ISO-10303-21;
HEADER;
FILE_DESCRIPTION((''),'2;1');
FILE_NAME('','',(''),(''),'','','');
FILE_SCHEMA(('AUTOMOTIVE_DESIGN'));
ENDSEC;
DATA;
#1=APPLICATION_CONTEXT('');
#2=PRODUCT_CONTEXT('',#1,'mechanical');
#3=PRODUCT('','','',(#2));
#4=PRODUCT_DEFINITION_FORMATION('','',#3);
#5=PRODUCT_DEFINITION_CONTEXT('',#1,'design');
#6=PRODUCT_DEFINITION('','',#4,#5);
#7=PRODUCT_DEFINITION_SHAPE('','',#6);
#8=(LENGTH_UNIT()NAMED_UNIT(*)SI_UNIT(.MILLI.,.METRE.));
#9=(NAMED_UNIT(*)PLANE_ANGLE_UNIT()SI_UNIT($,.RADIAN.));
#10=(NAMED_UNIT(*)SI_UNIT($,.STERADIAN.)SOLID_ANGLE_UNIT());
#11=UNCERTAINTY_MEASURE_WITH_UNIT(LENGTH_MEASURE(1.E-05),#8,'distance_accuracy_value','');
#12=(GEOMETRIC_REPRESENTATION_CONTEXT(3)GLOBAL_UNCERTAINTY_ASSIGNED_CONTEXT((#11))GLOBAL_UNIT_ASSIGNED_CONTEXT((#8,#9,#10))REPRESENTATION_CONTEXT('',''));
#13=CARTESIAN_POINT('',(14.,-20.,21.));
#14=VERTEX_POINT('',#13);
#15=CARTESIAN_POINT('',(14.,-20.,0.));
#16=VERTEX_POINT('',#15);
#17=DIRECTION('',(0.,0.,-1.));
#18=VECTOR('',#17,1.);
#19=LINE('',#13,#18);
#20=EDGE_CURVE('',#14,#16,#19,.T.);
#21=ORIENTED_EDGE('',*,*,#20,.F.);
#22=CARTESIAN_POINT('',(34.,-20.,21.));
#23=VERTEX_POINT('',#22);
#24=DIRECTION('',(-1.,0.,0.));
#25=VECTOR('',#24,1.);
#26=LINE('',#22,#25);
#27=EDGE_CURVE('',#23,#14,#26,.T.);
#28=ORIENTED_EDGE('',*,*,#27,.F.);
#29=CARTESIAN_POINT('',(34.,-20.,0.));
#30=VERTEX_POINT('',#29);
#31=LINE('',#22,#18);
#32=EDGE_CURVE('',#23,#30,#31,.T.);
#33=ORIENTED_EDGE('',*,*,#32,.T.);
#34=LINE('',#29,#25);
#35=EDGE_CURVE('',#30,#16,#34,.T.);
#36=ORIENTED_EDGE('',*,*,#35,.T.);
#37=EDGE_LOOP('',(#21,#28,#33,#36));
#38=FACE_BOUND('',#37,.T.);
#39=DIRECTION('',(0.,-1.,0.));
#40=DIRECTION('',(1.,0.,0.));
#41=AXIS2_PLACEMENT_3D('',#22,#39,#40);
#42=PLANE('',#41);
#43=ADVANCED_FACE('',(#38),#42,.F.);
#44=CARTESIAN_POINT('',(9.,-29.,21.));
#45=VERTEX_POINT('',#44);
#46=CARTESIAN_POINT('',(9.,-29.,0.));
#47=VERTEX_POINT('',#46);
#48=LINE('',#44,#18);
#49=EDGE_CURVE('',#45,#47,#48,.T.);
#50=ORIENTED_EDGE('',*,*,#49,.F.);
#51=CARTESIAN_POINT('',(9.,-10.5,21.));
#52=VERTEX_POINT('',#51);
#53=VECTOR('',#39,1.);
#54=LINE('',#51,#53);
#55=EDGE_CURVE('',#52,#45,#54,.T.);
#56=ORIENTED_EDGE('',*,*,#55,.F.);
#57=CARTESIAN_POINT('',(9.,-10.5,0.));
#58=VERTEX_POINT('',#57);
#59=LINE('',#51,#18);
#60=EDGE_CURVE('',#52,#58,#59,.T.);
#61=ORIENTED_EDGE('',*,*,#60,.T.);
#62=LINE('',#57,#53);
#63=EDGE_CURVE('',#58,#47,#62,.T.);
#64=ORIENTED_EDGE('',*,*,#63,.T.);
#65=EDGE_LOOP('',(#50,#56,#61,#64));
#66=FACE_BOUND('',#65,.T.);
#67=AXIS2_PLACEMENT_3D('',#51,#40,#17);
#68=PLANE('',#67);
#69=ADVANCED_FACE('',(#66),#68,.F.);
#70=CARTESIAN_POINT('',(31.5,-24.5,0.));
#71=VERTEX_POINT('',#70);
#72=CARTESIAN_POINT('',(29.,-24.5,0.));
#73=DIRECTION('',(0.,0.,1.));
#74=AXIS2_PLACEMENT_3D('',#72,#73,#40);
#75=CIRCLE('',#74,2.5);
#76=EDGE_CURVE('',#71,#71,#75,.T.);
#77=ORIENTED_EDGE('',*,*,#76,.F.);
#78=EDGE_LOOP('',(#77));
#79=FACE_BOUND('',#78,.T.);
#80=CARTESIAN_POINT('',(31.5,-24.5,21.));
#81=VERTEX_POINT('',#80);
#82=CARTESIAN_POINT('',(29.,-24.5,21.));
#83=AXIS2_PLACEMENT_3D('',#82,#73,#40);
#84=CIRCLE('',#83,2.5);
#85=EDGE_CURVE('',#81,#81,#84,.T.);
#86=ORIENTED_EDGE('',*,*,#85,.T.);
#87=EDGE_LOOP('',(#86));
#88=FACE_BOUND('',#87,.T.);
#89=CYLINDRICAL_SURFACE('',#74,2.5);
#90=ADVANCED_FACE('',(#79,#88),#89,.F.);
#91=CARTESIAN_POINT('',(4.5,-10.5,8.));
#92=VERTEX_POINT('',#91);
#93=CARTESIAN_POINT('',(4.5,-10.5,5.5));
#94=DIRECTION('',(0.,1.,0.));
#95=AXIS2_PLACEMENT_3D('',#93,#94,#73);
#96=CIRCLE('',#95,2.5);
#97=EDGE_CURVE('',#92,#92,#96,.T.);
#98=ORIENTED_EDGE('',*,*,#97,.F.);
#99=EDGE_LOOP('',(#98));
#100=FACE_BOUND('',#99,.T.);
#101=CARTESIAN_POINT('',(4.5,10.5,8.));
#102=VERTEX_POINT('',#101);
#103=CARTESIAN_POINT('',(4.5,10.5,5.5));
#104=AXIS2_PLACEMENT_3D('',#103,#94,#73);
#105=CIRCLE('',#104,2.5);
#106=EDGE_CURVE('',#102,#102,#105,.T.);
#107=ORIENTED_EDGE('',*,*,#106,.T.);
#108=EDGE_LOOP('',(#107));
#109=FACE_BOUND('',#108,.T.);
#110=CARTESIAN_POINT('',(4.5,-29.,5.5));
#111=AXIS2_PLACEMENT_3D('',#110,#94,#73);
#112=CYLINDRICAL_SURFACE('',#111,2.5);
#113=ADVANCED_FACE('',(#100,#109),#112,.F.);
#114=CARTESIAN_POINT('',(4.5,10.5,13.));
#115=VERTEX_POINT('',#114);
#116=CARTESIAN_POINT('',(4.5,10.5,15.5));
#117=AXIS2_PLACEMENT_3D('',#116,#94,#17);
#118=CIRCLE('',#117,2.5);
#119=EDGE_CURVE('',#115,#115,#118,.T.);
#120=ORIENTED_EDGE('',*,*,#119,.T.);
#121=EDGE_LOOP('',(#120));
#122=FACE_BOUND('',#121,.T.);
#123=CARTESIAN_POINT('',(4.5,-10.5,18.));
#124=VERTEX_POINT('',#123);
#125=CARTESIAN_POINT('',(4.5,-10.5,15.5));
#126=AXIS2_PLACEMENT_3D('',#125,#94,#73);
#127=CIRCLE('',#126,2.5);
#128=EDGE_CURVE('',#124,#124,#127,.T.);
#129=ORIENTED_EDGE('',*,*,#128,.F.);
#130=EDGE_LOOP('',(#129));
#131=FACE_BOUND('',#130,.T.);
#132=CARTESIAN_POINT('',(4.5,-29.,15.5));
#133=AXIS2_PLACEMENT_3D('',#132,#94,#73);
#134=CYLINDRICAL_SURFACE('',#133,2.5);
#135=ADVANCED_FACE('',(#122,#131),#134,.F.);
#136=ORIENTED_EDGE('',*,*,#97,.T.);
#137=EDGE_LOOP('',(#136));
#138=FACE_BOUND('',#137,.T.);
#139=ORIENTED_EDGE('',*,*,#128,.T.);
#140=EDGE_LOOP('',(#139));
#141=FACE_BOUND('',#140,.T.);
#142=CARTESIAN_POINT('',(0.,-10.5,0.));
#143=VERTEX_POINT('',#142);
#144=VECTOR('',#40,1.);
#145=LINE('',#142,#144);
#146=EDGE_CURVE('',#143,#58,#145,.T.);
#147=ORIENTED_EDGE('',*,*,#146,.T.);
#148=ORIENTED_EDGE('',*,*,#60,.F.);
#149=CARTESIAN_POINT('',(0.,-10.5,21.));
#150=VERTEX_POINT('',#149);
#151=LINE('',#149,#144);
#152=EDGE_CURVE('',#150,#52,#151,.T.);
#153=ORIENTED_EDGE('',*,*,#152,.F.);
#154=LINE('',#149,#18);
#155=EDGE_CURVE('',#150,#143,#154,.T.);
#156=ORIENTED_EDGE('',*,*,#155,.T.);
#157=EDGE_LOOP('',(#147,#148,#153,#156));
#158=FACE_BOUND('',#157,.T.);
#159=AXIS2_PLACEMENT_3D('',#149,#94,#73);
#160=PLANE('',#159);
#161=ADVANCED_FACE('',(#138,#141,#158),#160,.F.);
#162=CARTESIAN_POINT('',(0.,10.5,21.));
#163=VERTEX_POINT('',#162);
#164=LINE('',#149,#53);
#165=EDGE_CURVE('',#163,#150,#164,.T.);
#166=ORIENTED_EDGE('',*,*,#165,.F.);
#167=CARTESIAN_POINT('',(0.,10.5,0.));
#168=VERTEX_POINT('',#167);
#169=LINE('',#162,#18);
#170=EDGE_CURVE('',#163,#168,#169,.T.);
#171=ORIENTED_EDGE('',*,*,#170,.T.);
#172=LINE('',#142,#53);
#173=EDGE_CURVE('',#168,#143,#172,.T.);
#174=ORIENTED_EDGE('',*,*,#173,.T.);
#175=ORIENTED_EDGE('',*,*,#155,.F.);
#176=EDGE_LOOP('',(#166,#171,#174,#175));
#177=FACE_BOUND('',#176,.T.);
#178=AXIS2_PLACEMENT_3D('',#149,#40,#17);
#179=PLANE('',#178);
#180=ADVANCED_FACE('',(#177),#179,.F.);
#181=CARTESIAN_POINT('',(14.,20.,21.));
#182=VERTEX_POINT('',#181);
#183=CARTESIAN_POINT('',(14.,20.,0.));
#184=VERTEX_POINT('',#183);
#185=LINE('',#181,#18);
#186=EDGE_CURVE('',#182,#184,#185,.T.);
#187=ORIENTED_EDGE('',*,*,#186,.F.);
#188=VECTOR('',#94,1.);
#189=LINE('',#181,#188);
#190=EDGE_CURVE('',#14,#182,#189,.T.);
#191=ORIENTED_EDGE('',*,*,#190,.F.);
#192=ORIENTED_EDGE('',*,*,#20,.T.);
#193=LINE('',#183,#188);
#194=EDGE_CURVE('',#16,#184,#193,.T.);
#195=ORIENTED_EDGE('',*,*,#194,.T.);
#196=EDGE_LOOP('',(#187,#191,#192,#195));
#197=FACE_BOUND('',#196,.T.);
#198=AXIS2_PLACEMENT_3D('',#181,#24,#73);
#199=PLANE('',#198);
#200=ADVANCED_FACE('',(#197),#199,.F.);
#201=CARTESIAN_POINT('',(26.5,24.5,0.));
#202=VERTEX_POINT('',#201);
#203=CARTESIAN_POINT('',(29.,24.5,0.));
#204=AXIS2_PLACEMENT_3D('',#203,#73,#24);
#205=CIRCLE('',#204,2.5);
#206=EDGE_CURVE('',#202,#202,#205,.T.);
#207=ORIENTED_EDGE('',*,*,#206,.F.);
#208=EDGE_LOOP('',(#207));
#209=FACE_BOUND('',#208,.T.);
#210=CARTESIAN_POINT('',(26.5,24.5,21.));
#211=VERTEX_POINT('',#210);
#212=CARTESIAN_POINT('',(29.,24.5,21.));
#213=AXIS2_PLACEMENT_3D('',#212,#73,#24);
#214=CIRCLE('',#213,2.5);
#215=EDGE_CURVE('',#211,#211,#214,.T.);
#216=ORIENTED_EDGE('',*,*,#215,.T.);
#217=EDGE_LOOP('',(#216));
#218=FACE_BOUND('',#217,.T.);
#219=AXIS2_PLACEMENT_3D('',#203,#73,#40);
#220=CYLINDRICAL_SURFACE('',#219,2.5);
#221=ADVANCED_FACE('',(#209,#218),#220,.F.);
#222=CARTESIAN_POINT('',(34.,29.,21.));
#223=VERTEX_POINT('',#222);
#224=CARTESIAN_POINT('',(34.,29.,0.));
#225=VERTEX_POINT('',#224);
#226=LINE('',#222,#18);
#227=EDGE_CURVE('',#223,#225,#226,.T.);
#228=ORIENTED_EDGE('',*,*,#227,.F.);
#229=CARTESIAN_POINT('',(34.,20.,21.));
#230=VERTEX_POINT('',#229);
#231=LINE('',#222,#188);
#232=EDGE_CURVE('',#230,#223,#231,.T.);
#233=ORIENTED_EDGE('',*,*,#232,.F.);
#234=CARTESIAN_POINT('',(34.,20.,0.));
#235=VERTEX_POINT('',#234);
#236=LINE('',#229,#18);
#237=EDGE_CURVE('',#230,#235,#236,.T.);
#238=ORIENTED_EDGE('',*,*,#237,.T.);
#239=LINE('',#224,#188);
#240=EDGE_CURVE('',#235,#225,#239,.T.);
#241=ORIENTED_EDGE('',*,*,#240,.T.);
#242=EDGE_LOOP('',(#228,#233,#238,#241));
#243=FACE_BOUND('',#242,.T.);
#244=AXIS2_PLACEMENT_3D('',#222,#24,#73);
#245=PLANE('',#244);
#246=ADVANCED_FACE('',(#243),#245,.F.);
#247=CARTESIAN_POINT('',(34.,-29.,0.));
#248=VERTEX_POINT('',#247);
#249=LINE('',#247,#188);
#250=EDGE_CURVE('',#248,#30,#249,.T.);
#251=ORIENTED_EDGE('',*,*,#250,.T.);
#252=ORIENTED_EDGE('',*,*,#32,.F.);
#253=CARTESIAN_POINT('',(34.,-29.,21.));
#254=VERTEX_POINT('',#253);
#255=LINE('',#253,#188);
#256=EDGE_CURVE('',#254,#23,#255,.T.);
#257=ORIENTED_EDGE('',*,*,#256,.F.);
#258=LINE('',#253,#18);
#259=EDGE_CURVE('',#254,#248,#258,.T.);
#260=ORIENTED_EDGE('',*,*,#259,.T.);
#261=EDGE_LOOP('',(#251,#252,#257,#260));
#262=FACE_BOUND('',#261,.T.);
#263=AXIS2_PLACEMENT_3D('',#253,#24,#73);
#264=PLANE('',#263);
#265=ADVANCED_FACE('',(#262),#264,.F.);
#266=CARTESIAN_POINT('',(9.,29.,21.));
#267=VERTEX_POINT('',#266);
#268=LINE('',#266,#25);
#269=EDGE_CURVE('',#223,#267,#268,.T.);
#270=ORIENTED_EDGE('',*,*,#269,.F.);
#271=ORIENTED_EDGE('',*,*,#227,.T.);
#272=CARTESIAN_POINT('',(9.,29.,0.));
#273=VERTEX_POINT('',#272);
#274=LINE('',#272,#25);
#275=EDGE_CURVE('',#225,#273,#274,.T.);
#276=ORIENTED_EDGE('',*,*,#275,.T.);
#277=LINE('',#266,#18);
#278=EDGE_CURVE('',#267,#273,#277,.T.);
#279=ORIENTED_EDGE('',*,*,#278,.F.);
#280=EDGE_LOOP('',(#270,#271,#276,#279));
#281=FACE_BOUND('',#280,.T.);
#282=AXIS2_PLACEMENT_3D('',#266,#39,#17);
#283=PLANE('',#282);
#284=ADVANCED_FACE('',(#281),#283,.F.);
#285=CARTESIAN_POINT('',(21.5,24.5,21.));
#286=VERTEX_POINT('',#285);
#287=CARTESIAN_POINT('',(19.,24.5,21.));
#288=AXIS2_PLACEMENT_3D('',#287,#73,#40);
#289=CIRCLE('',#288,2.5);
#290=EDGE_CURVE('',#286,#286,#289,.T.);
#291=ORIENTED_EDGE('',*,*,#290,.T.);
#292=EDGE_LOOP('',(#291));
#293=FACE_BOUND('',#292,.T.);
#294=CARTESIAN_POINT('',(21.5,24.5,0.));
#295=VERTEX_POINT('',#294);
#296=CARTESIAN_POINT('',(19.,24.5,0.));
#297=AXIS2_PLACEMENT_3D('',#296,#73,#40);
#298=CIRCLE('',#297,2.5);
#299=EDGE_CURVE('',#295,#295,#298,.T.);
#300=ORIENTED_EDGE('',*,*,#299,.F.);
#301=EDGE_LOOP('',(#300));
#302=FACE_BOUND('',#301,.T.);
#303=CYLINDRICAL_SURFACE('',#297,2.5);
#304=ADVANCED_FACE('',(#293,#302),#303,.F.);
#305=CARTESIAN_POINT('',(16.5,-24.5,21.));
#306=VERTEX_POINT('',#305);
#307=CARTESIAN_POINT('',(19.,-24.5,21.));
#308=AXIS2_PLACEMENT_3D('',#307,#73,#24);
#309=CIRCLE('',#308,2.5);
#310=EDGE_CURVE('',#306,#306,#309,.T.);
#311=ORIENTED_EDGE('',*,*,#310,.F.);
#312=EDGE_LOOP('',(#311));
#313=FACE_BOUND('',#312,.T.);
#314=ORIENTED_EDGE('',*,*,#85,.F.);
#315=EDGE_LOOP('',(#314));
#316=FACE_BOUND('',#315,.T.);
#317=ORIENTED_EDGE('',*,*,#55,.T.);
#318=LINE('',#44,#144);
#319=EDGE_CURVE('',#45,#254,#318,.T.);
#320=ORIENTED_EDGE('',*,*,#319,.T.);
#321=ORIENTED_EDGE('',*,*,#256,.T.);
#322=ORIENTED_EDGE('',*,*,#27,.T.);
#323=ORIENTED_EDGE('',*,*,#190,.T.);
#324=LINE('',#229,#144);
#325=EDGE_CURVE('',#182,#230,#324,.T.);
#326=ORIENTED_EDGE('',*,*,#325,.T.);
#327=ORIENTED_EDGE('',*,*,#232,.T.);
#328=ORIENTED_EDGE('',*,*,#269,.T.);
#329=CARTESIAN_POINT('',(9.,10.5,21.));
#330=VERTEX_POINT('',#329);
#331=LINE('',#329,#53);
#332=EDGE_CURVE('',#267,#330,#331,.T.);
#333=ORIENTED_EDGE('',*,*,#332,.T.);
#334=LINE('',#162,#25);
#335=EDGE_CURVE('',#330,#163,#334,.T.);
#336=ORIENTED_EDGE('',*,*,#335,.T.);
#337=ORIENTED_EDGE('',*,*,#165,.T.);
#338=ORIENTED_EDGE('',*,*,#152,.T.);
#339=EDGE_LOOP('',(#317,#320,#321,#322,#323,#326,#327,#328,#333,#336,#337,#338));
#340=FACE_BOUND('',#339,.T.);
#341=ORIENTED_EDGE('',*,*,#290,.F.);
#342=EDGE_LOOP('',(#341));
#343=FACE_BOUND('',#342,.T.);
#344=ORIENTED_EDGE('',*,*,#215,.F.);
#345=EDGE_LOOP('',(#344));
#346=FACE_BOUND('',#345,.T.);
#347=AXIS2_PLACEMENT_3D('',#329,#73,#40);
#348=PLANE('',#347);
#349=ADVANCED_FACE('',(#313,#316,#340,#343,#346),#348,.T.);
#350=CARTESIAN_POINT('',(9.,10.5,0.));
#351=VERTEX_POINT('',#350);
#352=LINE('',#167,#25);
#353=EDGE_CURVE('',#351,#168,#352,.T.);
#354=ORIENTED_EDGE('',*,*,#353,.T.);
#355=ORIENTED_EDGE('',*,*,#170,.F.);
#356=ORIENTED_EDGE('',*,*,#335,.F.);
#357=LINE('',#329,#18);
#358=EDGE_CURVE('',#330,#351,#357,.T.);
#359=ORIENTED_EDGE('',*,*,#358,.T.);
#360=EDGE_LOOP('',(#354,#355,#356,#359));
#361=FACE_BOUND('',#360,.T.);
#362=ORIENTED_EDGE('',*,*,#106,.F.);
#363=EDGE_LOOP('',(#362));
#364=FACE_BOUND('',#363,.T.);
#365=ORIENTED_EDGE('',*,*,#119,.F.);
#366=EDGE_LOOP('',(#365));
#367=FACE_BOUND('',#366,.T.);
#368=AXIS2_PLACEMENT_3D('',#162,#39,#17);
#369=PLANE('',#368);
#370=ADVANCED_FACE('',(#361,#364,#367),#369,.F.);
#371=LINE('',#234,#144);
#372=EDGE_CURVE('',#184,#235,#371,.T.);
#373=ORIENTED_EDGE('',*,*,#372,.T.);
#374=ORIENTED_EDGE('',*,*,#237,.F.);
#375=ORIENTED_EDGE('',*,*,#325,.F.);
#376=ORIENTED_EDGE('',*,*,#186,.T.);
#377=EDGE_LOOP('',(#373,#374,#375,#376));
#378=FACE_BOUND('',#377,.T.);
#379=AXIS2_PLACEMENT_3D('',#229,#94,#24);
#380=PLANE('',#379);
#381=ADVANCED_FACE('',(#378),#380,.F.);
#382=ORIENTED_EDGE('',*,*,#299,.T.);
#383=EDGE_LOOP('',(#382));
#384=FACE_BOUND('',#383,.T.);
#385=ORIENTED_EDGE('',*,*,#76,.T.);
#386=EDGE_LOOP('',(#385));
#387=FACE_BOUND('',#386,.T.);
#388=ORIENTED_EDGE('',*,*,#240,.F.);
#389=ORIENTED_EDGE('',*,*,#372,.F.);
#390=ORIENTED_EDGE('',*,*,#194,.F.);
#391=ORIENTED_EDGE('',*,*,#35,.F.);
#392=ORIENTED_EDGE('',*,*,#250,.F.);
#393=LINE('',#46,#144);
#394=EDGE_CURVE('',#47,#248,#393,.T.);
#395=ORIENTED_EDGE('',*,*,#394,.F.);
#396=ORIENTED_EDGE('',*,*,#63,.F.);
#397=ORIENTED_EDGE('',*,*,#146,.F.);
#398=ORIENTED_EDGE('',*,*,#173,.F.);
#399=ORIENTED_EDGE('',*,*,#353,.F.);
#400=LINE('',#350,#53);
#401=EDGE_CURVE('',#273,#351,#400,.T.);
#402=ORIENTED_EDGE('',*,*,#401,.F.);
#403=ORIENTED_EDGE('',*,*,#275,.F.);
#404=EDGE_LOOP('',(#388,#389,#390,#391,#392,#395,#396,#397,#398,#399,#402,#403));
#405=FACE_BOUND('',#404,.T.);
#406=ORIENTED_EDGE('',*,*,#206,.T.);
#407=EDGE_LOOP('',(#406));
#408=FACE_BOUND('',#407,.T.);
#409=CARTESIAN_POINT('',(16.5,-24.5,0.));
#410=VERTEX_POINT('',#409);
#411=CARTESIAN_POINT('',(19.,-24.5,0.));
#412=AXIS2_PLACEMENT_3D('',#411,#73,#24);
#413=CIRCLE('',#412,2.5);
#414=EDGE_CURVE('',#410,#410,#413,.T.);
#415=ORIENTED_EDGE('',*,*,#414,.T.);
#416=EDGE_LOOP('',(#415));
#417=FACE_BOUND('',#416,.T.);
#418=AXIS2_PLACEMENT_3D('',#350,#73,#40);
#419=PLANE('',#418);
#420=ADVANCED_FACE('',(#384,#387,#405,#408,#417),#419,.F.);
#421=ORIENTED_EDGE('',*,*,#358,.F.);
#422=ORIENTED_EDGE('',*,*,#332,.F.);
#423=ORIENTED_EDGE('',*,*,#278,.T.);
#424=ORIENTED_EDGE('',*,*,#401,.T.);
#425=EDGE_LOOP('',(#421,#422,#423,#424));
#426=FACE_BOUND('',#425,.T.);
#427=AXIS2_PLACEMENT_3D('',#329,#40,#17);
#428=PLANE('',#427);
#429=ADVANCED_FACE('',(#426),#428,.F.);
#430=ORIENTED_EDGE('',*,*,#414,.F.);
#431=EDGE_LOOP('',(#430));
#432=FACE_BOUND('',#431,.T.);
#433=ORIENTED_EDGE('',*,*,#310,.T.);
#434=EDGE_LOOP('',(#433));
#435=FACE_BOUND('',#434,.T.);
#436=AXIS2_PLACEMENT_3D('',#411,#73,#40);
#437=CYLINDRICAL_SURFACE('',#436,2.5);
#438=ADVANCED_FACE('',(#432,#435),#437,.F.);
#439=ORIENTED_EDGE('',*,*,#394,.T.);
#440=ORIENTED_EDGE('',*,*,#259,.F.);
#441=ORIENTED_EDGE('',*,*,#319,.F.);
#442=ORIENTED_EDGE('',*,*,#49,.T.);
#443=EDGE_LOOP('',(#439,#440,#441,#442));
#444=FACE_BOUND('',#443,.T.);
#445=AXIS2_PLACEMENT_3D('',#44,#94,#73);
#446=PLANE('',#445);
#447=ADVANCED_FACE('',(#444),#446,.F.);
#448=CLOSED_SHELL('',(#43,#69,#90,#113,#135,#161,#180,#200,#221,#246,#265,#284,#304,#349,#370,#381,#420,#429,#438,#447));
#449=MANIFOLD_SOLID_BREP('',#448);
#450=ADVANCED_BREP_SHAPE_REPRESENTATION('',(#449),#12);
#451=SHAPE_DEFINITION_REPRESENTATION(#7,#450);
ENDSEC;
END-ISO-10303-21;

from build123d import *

# Parameters (mm, degrees)
EXTRUSION1_DEPTH        = 21
ESQUISSE2_R             = 2.5
ENL_V_MAT_EXTRU_1_DEPTH = 22
ESQUISSE3_R             = 2.5
ENL_V_MAT_EXTRU_2_DEPTH = 40.5


with BuildPart() as part:
    # Esquisse1 → Extrusion1 (new body)
    with BuildSketch(Plane.XY):
        Polygon((0, -10.5), (0, 10.5), (9, 10.5), (9, 29), (34, 29), (34, 20), (14, 20), (14, -20), (34, -20), (34, -29), (9, -29), (9, -10.5), align=None)
    extrude(amount=EXTRUSION1_DEPTH)

    # Esquisse2 → Enlèv. mat.-Extru.1 (cut, through all)
    with BuildSketch(Plane.XY.offset(21)):
        with Locations((29, 24.5)):
            Circle(ESQUISSE2_R)
        with Locations((19, 24.5)):
            Circle(ESQUISSE2_R)
        with Locations((19, -24.5)):
            Circle(ESQUISSE2_R)
        with Locations((29, -24.5)):
            Circle(ESQUISSE2_R)
    extrude(amount=-ENL_V_MAT_EXTRU_1_DEPTH, mode=Mode.SUBTRACT)

    # Esquisse3 → Enlèv. mat.-Extru.2 (cut, through all)
    with BuildSketch(Plane(origin=(0, 10.5, 0), x_dir=(1, 0, 0), z_dir=(0, 1, 0))):
        with Locations((4.5, -5.5)):
            Circle(ESQUISSE3_R)
        with Locations((4.5, -15.5)):
            Circle(ESQUISSE3_R)
    extrude(amount=-ENL_V_MAT_EXTRU_2_DEPTH, mode=Mode.SUBTRACT)


solid = part.part
